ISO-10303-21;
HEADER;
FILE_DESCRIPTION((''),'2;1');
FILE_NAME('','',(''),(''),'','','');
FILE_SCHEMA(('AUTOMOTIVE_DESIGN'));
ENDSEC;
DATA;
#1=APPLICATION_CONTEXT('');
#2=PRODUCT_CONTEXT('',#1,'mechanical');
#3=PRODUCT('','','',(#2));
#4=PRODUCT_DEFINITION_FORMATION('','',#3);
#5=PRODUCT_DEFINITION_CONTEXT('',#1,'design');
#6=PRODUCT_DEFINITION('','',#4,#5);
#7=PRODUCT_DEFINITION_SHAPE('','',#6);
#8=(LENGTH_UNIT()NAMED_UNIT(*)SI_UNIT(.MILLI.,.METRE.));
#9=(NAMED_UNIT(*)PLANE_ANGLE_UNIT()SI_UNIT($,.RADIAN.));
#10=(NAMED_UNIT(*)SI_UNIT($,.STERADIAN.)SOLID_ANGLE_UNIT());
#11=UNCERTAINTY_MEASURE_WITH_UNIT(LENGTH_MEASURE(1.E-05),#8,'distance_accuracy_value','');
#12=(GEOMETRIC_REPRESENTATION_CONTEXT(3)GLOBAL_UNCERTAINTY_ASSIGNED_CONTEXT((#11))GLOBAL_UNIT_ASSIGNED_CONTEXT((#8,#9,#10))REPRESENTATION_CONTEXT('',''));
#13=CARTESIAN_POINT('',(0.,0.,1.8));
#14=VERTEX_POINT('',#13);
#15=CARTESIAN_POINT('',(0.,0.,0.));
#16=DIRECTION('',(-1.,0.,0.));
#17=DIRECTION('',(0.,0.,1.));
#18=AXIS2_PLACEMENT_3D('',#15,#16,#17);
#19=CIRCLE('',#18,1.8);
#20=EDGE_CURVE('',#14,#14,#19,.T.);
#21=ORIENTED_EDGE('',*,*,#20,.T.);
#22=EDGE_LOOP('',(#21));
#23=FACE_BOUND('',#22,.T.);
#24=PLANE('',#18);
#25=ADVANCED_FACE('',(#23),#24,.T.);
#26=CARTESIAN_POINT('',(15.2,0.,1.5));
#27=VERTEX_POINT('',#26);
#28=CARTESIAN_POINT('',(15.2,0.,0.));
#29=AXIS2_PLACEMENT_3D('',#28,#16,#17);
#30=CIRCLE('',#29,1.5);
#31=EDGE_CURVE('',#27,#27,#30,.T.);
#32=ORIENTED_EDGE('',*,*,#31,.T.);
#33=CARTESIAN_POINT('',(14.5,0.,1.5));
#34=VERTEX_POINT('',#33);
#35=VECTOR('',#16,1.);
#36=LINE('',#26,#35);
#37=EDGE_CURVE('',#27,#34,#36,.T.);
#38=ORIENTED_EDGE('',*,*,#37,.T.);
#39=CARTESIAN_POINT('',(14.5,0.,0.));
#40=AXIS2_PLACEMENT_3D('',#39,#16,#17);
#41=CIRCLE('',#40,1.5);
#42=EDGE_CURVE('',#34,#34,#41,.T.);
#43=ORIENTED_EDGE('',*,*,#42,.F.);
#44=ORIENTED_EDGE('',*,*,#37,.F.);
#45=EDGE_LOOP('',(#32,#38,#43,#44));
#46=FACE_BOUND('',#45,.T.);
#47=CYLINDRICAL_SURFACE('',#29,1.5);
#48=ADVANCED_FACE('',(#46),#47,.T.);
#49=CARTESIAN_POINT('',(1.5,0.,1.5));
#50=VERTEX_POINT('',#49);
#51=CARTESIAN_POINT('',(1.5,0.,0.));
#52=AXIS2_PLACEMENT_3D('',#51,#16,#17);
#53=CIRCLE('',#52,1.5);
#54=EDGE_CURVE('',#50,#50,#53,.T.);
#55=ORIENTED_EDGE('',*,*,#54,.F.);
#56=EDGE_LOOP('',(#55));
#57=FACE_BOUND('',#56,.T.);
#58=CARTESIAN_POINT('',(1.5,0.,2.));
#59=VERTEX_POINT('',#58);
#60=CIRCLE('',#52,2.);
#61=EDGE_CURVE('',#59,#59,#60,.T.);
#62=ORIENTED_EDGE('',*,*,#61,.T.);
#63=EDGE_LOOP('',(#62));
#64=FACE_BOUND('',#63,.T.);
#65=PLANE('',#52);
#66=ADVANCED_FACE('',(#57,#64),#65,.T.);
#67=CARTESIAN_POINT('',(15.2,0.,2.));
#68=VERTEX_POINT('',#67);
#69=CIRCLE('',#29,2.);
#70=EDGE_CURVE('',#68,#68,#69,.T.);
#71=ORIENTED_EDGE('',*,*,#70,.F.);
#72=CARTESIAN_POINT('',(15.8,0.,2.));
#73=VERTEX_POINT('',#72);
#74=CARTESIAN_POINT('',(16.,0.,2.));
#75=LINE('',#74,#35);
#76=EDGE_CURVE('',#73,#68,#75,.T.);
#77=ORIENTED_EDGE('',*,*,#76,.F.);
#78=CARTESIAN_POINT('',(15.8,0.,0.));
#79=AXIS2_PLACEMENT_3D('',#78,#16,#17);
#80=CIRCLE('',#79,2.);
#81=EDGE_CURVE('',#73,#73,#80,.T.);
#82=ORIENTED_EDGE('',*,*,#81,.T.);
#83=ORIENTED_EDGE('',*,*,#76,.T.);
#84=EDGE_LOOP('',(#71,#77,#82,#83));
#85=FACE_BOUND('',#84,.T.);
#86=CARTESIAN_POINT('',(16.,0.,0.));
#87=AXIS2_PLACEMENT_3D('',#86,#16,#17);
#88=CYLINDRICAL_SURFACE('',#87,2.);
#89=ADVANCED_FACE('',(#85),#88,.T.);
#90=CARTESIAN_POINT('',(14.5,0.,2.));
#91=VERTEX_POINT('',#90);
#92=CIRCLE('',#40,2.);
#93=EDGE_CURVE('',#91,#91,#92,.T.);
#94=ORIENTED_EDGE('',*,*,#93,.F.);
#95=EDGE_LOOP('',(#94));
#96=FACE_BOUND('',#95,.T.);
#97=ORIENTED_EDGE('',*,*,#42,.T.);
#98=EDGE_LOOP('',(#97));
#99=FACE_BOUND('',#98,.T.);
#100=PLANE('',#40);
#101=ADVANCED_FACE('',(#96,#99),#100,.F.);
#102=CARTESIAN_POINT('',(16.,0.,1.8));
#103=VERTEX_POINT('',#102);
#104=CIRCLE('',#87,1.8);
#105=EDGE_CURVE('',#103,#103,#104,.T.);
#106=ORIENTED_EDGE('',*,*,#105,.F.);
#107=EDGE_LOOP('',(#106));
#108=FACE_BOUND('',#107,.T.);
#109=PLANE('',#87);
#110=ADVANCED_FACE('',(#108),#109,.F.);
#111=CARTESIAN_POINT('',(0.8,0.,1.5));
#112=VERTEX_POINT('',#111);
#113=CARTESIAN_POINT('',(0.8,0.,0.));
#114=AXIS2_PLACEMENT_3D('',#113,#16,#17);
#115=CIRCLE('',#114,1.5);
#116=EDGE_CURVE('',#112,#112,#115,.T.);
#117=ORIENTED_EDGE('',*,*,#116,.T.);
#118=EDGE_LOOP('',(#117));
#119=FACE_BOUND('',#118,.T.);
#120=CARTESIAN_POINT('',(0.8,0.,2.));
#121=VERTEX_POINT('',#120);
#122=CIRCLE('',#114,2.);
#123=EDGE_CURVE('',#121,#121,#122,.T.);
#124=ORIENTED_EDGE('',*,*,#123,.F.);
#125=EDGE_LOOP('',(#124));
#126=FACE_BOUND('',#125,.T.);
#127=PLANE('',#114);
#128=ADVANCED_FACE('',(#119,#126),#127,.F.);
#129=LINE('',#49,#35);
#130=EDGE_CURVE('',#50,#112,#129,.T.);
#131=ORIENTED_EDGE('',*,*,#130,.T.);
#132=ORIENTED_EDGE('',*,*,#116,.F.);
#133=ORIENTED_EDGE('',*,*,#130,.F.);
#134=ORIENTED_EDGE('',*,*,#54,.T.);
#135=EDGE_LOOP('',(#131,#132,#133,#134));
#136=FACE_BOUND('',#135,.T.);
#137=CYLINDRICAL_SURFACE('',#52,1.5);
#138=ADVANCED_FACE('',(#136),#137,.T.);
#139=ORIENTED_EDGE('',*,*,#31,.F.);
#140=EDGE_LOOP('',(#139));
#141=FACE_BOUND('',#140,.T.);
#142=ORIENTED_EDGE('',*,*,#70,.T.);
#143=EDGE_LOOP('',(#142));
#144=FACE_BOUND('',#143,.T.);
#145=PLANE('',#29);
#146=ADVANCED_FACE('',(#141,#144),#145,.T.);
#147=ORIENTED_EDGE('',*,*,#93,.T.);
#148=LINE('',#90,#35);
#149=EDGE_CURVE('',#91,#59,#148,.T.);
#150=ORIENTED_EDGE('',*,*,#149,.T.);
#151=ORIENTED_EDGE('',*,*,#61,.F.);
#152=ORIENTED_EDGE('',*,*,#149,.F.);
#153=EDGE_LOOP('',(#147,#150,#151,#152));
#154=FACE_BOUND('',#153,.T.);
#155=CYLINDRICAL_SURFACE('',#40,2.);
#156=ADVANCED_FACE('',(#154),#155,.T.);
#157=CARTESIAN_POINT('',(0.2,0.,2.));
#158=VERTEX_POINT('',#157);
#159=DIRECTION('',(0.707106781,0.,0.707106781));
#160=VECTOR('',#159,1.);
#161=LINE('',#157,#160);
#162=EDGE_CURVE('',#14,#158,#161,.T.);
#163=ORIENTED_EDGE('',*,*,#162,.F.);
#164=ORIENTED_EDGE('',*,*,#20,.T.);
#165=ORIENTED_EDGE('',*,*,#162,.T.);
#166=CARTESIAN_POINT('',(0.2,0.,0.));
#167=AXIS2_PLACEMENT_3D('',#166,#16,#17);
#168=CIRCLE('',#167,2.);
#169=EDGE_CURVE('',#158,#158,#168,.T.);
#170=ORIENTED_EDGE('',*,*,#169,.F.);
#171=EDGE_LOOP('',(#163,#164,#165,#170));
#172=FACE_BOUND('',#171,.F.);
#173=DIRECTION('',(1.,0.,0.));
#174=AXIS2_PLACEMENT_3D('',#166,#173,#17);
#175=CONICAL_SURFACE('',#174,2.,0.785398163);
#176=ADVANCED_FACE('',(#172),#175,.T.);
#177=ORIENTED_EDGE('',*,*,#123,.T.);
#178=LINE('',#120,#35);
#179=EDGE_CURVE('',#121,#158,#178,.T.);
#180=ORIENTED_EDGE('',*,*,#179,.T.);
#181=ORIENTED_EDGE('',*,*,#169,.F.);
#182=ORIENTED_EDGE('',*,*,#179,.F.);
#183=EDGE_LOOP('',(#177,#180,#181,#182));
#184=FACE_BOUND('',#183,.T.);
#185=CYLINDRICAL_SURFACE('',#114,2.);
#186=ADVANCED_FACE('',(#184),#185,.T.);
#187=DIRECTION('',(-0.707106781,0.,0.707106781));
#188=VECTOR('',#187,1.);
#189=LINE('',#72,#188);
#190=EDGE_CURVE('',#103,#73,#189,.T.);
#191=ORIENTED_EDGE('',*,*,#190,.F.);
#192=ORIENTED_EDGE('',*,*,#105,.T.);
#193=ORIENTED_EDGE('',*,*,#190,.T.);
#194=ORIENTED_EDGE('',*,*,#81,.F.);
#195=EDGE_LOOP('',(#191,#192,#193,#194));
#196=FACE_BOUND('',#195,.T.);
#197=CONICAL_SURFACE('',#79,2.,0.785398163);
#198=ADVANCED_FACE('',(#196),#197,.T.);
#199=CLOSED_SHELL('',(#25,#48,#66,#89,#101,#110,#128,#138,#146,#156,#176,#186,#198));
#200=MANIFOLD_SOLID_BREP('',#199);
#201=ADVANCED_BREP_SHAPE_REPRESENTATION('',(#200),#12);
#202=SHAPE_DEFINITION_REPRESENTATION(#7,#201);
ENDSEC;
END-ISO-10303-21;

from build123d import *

# Parameters (mm, degrees)
F2_SIZE = 0.2


with BuildPart() as f1:
    # F0 (on Front) → F1 (revolve)
    with BuildSketch(Plane.XZ):
        Polygon((0, 2), (0, 0), (16, 0), (16, 2), (15.2, 2), (15.2, 1.5), (14.5, 1.5), (14.5, 2), (1.5, 2), (1.5, 1.5), (0.8, 1.5), (0.8, 2), align=None)
    revolve(axis=Axis((8, 0, 0), (-1, 0, 0)))

    # F2
    f2_edges = [f1.edges().sort_by_distance(p)[0] for p in [
        (0, 0, -2),
        (16, 0, -2),
    ]]
    chamfer(f2_edges, length=F2_SIZE)


solid = f1.part
